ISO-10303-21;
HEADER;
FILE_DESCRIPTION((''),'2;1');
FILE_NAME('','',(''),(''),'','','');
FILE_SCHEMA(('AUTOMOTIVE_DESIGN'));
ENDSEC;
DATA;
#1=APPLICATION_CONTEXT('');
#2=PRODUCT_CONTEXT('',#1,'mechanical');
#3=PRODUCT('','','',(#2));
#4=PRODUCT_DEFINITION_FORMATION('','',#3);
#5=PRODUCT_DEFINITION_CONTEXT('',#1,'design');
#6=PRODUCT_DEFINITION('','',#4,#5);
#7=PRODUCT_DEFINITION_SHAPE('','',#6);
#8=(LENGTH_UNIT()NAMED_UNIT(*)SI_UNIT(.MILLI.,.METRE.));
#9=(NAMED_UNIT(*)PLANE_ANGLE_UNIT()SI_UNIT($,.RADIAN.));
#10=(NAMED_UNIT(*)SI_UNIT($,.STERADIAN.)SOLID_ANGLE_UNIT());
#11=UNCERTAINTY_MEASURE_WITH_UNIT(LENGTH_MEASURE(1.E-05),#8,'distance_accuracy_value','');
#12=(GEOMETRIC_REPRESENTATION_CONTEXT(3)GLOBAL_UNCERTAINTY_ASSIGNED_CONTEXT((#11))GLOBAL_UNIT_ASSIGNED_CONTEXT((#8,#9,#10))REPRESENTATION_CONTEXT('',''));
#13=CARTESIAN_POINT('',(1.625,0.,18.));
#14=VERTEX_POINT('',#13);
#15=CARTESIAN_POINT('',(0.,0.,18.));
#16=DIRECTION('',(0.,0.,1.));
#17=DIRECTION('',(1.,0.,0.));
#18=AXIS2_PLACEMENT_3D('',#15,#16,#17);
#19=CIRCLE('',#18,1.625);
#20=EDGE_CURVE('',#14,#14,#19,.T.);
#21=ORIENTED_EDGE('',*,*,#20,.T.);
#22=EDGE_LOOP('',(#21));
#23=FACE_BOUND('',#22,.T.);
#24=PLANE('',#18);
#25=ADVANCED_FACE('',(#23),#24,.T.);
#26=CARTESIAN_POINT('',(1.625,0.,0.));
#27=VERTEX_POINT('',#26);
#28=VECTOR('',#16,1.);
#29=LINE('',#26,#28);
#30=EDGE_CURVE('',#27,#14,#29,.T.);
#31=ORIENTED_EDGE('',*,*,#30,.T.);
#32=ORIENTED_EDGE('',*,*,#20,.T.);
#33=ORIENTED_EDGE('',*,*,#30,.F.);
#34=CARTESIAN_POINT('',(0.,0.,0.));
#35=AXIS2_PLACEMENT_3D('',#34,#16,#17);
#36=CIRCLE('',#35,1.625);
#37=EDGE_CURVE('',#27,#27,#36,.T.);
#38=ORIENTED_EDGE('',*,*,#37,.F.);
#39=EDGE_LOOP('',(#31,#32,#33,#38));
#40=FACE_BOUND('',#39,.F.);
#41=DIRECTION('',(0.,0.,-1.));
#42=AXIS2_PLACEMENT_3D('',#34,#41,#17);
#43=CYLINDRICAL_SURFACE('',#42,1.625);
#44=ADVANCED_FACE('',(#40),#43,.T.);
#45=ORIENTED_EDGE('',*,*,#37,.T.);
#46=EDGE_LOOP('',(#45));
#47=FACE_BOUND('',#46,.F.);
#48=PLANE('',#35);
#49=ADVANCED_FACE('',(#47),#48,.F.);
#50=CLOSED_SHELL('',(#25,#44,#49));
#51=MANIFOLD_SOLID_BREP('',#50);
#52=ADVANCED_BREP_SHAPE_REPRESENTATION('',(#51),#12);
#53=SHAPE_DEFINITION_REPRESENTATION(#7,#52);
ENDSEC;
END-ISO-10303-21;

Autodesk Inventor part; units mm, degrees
ref_plane "YZ Plane" through (0, 0, 0) normal (1, 0, 0) x (0, 1, 0)
ref_plane "XZ Plane" through (0, 0, 0) normal (0, 1, 0) x (-1, 0, 0)
ref_plane "XY Plane" through (0, 0, 0) normal (0, 0, 1) x (1, 0, 0)
sketch "Sketch1" plane through (0, 0, 0) normal (0, 0, 1) x (1, 0, 0)
  circle A0 centre (0, 0) radius 1.625
  dimension "d0" = 3.25
extrude "Extrusion1" add sketch "Sketch1" along normal blind 18
properties part number "Motor shaft tester"
